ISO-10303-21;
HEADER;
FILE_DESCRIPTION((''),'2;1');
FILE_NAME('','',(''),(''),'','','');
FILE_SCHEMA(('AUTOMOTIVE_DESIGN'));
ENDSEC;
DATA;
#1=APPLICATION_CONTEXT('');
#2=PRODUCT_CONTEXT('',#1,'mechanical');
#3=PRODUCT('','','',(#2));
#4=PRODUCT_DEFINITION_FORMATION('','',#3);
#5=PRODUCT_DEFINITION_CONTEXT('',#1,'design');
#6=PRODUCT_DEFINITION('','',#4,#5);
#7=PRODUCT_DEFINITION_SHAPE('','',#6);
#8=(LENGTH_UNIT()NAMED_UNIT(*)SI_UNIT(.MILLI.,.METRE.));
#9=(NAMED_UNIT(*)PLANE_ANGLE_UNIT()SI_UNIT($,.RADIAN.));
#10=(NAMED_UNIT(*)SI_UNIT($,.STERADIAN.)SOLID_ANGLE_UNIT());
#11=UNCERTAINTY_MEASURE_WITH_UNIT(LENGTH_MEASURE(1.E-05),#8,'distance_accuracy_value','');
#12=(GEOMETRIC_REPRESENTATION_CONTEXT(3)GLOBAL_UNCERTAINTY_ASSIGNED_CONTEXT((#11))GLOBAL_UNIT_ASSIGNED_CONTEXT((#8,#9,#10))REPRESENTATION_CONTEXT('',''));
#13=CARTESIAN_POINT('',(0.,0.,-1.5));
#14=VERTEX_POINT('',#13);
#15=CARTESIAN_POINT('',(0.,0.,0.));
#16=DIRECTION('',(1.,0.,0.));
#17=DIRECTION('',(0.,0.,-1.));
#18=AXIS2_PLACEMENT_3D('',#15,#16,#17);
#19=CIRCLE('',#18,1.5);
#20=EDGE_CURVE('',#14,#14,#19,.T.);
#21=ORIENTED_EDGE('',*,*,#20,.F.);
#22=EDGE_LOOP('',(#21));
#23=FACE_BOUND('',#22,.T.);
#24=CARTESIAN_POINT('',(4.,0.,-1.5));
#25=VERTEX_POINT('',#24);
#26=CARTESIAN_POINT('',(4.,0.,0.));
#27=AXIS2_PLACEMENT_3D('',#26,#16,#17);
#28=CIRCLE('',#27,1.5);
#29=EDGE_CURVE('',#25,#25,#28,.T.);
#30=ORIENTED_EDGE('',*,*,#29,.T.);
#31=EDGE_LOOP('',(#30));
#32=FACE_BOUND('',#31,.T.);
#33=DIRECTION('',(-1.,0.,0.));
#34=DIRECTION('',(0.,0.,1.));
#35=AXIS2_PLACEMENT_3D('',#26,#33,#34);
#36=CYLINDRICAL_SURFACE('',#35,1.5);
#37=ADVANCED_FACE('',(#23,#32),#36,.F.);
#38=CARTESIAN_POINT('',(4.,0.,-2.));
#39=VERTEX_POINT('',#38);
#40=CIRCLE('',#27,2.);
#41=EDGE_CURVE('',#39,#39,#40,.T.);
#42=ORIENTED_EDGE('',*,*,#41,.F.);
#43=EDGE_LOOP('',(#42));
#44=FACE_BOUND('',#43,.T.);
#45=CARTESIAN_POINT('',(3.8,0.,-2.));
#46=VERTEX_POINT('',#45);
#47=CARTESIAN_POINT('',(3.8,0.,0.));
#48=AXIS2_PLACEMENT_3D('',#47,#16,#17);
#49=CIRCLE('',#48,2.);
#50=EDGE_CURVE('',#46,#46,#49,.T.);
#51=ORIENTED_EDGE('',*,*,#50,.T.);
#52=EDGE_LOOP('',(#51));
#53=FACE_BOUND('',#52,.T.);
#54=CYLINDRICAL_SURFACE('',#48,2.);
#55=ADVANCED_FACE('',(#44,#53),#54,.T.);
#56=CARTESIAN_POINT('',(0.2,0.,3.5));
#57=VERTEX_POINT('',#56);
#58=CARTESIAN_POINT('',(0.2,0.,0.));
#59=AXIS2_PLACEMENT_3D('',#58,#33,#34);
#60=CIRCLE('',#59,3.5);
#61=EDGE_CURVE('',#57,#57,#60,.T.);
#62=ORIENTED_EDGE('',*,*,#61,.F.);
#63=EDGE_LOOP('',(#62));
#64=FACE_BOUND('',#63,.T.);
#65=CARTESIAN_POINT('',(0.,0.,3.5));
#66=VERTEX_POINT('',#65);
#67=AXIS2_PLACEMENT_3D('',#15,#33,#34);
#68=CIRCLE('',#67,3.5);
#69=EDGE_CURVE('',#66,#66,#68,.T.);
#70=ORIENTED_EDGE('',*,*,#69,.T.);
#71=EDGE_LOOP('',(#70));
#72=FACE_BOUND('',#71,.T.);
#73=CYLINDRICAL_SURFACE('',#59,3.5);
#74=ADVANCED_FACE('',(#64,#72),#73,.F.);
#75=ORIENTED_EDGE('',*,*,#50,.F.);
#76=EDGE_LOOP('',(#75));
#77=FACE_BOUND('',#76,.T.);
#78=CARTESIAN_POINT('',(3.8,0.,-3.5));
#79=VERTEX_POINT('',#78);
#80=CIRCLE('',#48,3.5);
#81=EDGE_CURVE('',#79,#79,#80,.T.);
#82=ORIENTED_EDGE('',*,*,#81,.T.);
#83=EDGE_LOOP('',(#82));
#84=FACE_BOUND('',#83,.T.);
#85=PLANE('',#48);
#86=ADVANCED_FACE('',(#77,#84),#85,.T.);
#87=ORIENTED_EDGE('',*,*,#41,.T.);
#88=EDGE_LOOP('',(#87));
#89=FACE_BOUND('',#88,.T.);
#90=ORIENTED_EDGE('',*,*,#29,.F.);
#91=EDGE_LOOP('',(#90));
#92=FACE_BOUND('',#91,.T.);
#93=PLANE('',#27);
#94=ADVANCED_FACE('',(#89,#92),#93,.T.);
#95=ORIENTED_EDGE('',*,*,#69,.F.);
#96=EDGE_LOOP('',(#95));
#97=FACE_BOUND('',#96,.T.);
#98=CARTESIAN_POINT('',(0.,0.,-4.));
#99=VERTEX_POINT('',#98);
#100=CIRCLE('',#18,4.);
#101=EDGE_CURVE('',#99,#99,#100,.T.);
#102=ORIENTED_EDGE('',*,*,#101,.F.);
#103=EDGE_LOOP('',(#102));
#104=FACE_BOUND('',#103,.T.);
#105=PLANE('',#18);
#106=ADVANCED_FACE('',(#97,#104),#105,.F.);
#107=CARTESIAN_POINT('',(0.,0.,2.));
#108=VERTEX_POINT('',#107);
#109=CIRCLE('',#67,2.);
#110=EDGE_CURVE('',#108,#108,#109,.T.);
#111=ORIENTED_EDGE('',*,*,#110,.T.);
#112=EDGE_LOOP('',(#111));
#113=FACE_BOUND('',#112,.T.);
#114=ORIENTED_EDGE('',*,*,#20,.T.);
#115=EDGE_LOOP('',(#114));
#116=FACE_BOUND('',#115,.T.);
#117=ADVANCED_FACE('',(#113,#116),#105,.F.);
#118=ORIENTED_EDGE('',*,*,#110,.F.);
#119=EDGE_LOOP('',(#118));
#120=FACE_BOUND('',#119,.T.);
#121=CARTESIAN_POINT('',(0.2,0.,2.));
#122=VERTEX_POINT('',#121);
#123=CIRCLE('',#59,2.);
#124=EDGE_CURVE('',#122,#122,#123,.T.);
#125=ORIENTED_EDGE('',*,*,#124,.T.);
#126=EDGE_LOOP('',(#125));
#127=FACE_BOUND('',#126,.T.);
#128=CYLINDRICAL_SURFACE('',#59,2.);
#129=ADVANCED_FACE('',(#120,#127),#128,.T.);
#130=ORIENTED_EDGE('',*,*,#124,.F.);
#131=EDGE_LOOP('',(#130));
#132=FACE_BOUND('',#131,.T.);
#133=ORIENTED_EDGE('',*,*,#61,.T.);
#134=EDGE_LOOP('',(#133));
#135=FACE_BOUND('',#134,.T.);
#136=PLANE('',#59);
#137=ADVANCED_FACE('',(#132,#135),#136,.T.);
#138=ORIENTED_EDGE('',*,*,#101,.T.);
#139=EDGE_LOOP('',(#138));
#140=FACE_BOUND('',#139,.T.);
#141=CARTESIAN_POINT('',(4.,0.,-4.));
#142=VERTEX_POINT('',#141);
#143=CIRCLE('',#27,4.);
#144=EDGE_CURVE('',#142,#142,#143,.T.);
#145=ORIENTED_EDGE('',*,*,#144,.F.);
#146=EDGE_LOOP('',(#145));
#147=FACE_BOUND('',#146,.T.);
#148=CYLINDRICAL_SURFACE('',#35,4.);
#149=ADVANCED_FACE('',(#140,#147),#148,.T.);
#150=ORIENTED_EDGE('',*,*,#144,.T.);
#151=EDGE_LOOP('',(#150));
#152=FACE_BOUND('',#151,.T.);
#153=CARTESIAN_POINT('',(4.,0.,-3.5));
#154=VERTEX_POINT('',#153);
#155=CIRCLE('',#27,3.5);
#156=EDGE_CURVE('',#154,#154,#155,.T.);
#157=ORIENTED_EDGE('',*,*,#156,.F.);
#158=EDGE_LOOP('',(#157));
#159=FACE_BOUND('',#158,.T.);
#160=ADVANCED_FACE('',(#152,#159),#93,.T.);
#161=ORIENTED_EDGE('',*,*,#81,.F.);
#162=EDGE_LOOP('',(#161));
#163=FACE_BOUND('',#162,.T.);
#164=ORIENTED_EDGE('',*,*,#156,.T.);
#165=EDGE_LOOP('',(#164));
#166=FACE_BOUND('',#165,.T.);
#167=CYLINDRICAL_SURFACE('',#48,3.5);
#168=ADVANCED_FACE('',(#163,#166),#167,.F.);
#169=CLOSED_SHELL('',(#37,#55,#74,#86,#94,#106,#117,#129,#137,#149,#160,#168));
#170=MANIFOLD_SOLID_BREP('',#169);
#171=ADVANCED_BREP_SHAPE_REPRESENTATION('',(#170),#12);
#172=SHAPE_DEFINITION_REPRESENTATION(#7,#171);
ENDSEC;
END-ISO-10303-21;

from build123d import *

# Parameters (mm, degrees)
SKETCH1_R           = 4
SKETCH1_R_2         = 1.5
BOSS_EXTRUDE1_DEPTH = 4
SKETCH2_R           = 3.5
SKETCH2_R_2         = 2
CUT_EXTRUDE1_DEPTH  = 0.2
CUT_EXTRUDE2_START  = -0.2
SKETCH3_R           = 3.5
SKETCH3_R_2         = 2
CUT_EXTRUDE2_DEPTH  = 0.2


with BuildPart() as part:
    # Sketch1 → Boss-Extrude1 (new body)
    with BuildSketch(Plane(origin=(0, 0, 0), x_dir=(0, 0, -1), z_dir=(1, 0, 0))):
        Circle(SKETCH1_R)
        Circle(SKETCH1_R_2, mode=Mode.SUBTRACT)
    extrude(amount=BOSS_EXTRUDE1_DEPTH)

    # Sketch2 → Cut-Extrude1 (cut)
    with BuildSketch(Plane(origin=(4, 0, 0), x_dir=(0, 0, -1), z_dir=(1, 0, 0))):
        Circle(SKETCH2_R)
        Circle(SKETCH2_R_2, mode=Mode.SUBTRACT)
    extrude(amount=-CUT_EXTRUDE1_DEPTH, mode=Mode.SUBTRACT)

    # Sketch3 → Cut-Extrude2 (cut)
    with BuildSketch(Plane.ZY.offset(CUT_EXTRUDE2_START)):
        with Locations(Location((0, 0, 0), (0, 0, 180))):
            Circle(SKETCH3_R)
        with Locations(Location((0, 0, 0), (0, 0, 180))):
            Circle(SKETCH3_R_2, mode=Mode.SUBTRACT)
    extrude(amount=CUT_EXTRUDE2_DEPTH, mode=Mode.SUBTRACT)


solid = part.part
